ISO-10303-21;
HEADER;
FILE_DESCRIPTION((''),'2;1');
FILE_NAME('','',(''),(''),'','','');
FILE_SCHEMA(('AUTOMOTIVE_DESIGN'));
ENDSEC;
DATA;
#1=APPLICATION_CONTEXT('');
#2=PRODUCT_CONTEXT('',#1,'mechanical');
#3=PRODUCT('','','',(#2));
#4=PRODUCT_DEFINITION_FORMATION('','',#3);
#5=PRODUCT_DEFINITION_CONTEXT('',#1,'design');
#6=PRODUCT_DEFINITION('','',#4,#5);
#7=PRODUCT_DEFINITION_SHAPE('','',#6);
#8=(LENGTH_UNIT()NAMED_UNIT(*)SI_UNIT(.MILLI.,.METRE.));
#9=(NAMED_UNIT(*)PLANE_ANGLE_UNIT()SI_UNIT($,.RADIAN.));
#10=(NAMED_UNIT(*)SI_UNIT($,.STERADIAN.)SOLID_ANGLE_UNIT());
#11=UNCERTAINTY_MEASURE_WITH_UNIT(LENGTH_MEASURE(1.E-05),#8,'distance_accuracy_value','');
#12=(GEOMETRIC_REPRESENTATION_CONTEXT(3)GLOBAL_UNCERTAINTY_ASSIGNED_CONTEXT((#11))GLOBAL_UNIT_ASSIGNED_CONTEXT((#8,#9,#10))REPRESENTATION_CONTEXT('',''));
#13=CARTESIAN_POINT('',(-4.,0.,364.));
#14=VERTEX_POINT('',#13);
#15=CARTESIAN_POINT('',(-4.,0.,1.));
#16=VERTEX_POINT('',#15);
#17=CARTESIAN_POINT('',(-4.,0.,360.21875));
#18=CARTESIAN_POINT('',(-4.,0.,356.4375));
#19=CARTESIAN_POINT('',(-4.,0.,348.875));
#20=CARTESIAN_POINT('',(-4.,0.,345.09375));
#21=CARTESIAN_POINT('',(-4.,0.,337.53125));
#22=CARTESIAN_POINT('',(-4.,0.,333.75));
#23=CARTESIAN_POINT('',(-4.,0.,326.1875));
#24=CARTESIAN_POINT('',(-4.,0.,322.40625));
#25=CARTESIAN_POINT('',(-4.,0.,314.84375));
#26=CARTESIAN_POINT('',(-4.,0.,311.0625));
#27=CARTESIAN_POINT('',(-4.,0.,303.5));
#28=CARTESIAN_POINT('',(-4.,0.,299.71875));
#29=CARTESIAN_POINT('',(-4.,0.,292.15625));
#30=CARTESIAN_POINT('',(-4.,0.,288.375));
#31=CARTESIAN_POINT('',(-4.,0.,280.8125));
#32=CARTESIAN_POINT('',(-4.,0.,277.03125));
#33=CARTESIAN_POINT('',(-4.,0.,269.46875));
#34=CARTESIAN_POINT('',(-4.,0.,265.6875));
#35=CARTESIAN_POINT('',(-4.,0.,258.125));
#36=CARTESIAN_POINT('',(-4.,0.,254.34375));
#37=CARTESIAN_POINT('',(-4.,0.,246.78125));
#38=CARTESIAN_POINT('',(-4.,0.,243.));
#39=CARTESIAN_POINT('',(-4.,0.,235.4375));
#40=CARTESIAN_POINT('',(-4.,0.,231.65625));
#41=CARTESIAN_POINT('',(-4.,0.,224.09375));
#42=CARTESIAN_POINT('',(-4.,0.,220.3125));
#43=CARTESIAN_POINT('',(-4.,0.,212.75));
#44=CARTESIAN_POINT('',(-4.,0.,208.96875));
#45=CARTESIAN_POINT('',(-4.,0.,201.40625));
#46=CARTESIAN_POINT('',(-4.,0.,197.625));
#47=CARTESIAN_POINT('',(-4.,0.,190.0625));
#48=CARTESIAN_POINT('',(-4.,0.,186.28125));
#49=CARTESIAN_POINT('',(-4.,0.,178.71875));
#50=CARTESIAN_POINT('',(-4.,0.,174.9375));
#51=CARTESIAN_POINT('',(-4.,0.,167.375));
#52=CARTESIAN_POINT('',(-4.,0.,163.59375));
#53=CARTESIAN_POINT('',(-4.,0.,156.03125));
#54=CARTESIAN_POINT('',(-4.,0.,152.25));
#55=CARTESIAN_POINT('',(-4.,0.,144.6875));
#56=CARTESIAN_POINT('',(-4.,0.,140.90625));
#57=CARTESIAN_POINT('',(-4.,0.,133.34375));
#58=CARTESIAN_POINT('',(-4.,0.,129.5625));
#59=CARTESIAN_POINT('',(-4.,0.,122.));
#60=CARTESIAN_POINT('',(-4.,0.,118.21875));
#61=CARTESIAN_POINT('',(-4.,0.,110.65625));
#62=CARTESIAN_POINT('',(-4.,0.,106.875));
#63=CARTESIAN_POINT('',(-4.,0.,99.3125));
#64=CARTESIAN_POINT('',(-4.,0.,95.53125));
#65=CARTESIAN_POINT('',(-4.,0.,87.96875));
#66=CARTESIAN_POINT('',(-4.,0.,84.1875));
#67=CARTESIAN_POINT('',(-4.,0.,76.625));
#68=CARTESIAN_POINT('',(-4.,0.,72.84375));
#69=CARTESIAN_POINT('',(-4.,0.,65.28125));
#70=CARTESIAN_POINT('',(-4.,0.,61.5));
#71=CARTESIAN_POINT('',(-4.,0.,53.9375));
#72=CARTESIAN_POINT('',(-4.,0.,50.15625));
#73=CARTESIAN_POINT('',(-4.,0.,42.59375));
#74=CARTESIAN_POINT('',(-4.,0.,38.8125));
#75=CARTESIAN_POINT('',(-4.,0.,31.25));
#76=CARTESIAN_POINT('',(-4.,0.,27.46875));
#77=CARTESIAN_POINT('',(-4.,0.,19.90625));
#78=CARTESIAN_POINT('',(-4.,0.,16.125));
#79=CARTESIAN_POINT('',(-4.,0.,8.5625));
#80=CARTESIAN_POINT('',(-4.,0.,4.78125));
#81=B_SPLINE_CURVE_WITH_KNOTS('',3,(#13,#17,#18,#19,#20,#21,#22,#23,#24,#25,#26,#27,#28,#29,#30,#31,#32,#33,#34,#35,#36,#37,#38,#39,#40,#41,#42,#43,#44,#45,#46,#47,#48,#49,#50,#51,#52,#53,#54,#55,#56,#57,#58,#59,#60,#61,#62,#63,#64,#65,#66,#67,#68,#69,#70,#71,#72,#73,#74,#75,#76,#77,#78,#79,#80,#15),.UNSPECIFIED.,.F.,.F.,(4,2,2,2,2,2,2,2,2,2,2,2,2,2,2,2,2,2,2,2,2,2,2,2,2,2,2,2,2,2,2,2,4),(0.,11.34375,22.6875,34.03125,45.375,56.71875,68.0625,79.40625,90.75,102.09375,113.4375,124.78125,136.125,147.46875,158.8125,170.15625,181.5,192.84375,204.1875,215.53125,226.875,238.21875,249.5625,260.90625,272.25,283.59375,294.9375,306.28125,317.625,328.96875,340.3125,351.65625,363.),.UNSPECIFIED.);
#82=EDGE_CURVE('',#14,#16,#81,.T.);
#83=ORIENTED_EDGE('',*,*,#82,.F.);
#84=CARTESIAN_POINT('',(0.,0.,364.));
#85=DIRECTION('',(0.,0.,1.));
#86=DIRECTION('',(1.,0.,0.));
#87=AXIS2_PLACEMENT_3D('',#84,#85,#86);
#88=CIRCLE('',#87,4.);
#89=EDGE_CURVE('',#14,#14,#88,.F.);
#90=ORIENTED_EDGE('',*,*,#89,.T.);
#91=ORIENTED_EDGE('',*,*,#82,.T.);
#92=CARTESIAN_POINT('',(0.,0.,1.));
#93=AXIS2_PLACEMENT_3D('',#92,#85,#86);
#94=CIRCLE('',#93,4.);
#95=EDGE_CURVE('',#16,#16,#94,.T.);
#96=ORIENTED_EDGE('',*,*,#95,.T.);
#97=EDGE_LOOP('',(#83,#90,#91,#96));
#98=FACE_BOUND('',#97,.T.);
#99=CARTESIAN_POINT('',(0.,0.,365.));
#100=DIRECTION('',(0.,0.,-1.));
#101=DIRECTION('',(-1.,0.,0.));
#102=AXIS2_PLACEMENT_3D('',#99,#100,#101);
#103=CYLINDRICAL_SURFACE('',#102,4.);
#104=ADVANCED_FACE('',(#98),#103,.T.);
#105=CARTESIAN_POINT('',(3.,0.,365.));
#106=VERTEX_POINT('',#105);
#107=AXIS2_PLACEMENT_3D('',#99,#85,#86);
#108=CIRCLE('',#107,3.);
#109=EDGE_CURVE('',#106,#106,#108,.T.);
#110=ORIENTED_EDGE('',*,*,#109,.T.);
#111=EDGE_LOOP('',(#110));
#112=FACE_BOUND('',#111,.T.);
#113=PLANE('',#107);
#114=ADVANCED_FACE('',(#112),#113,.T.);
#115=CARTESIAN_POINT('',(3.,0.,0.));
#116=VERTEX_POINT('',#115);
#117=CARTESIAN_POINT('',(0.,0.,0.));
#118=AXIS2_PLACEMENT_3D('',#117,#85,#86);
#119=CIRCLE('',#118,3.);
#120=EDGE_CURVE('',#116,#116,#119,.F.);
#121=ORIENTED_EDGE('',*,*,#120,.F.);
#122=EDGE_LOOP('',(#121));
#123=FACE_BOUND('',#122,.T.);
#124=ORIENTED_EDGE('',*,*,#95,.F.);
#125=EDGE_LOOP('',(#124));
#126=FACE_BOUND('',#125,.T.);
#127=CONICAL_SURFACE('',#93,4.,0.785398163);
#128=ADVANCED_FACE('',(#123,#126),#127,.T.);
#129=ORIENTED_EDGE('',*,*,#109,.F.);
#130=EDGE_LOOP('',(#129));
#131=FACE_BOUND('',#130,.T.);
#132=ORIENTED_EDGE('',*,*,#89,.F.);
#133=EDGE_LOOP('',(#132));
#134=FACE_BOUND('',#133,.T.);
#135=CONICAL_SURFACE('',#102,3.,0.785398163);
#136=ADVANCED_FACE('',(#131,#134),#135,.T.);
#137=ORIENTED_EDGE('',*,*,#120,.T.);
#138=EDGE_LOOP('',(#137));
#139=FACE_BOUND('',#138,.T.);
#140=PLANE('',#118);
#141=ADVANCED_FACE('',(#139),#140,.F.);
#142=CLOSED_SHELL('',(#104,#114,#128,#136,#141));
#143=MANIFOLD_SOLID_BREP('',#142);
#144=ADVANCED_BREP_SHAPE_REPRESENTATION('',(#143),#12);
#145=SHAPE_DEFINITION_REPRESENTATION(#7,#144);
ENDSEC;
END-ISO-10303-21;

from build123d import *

# Parameters (mm, degrees)
SKETCH1_R           = 4
BOSS_EXTRUDE1_DEPTH = 365
CHAMFER1_SIZE       = 1


with BuildPart() as part:
    # Sketch1 → Boss-Extrude1 (new body)
    with BuildSketch(Plane.XY):
        with Locations(Location((0, 0, 0), (0, 0, 180))):
            Circle(SKETCH1_R)
    extrude(amount=BOSS_EXTRUDE1_DEPTH)

    # Chamfer1
    chamfer1_edges = [part.edges().sort_by_distance(p)[0] for p in [
        (4, 0, 0),
        (4, 0, 365),
    ]]
    chamfer(chamfer1_edges, length=CHAMFER1_SIZE)


solid = part.part
